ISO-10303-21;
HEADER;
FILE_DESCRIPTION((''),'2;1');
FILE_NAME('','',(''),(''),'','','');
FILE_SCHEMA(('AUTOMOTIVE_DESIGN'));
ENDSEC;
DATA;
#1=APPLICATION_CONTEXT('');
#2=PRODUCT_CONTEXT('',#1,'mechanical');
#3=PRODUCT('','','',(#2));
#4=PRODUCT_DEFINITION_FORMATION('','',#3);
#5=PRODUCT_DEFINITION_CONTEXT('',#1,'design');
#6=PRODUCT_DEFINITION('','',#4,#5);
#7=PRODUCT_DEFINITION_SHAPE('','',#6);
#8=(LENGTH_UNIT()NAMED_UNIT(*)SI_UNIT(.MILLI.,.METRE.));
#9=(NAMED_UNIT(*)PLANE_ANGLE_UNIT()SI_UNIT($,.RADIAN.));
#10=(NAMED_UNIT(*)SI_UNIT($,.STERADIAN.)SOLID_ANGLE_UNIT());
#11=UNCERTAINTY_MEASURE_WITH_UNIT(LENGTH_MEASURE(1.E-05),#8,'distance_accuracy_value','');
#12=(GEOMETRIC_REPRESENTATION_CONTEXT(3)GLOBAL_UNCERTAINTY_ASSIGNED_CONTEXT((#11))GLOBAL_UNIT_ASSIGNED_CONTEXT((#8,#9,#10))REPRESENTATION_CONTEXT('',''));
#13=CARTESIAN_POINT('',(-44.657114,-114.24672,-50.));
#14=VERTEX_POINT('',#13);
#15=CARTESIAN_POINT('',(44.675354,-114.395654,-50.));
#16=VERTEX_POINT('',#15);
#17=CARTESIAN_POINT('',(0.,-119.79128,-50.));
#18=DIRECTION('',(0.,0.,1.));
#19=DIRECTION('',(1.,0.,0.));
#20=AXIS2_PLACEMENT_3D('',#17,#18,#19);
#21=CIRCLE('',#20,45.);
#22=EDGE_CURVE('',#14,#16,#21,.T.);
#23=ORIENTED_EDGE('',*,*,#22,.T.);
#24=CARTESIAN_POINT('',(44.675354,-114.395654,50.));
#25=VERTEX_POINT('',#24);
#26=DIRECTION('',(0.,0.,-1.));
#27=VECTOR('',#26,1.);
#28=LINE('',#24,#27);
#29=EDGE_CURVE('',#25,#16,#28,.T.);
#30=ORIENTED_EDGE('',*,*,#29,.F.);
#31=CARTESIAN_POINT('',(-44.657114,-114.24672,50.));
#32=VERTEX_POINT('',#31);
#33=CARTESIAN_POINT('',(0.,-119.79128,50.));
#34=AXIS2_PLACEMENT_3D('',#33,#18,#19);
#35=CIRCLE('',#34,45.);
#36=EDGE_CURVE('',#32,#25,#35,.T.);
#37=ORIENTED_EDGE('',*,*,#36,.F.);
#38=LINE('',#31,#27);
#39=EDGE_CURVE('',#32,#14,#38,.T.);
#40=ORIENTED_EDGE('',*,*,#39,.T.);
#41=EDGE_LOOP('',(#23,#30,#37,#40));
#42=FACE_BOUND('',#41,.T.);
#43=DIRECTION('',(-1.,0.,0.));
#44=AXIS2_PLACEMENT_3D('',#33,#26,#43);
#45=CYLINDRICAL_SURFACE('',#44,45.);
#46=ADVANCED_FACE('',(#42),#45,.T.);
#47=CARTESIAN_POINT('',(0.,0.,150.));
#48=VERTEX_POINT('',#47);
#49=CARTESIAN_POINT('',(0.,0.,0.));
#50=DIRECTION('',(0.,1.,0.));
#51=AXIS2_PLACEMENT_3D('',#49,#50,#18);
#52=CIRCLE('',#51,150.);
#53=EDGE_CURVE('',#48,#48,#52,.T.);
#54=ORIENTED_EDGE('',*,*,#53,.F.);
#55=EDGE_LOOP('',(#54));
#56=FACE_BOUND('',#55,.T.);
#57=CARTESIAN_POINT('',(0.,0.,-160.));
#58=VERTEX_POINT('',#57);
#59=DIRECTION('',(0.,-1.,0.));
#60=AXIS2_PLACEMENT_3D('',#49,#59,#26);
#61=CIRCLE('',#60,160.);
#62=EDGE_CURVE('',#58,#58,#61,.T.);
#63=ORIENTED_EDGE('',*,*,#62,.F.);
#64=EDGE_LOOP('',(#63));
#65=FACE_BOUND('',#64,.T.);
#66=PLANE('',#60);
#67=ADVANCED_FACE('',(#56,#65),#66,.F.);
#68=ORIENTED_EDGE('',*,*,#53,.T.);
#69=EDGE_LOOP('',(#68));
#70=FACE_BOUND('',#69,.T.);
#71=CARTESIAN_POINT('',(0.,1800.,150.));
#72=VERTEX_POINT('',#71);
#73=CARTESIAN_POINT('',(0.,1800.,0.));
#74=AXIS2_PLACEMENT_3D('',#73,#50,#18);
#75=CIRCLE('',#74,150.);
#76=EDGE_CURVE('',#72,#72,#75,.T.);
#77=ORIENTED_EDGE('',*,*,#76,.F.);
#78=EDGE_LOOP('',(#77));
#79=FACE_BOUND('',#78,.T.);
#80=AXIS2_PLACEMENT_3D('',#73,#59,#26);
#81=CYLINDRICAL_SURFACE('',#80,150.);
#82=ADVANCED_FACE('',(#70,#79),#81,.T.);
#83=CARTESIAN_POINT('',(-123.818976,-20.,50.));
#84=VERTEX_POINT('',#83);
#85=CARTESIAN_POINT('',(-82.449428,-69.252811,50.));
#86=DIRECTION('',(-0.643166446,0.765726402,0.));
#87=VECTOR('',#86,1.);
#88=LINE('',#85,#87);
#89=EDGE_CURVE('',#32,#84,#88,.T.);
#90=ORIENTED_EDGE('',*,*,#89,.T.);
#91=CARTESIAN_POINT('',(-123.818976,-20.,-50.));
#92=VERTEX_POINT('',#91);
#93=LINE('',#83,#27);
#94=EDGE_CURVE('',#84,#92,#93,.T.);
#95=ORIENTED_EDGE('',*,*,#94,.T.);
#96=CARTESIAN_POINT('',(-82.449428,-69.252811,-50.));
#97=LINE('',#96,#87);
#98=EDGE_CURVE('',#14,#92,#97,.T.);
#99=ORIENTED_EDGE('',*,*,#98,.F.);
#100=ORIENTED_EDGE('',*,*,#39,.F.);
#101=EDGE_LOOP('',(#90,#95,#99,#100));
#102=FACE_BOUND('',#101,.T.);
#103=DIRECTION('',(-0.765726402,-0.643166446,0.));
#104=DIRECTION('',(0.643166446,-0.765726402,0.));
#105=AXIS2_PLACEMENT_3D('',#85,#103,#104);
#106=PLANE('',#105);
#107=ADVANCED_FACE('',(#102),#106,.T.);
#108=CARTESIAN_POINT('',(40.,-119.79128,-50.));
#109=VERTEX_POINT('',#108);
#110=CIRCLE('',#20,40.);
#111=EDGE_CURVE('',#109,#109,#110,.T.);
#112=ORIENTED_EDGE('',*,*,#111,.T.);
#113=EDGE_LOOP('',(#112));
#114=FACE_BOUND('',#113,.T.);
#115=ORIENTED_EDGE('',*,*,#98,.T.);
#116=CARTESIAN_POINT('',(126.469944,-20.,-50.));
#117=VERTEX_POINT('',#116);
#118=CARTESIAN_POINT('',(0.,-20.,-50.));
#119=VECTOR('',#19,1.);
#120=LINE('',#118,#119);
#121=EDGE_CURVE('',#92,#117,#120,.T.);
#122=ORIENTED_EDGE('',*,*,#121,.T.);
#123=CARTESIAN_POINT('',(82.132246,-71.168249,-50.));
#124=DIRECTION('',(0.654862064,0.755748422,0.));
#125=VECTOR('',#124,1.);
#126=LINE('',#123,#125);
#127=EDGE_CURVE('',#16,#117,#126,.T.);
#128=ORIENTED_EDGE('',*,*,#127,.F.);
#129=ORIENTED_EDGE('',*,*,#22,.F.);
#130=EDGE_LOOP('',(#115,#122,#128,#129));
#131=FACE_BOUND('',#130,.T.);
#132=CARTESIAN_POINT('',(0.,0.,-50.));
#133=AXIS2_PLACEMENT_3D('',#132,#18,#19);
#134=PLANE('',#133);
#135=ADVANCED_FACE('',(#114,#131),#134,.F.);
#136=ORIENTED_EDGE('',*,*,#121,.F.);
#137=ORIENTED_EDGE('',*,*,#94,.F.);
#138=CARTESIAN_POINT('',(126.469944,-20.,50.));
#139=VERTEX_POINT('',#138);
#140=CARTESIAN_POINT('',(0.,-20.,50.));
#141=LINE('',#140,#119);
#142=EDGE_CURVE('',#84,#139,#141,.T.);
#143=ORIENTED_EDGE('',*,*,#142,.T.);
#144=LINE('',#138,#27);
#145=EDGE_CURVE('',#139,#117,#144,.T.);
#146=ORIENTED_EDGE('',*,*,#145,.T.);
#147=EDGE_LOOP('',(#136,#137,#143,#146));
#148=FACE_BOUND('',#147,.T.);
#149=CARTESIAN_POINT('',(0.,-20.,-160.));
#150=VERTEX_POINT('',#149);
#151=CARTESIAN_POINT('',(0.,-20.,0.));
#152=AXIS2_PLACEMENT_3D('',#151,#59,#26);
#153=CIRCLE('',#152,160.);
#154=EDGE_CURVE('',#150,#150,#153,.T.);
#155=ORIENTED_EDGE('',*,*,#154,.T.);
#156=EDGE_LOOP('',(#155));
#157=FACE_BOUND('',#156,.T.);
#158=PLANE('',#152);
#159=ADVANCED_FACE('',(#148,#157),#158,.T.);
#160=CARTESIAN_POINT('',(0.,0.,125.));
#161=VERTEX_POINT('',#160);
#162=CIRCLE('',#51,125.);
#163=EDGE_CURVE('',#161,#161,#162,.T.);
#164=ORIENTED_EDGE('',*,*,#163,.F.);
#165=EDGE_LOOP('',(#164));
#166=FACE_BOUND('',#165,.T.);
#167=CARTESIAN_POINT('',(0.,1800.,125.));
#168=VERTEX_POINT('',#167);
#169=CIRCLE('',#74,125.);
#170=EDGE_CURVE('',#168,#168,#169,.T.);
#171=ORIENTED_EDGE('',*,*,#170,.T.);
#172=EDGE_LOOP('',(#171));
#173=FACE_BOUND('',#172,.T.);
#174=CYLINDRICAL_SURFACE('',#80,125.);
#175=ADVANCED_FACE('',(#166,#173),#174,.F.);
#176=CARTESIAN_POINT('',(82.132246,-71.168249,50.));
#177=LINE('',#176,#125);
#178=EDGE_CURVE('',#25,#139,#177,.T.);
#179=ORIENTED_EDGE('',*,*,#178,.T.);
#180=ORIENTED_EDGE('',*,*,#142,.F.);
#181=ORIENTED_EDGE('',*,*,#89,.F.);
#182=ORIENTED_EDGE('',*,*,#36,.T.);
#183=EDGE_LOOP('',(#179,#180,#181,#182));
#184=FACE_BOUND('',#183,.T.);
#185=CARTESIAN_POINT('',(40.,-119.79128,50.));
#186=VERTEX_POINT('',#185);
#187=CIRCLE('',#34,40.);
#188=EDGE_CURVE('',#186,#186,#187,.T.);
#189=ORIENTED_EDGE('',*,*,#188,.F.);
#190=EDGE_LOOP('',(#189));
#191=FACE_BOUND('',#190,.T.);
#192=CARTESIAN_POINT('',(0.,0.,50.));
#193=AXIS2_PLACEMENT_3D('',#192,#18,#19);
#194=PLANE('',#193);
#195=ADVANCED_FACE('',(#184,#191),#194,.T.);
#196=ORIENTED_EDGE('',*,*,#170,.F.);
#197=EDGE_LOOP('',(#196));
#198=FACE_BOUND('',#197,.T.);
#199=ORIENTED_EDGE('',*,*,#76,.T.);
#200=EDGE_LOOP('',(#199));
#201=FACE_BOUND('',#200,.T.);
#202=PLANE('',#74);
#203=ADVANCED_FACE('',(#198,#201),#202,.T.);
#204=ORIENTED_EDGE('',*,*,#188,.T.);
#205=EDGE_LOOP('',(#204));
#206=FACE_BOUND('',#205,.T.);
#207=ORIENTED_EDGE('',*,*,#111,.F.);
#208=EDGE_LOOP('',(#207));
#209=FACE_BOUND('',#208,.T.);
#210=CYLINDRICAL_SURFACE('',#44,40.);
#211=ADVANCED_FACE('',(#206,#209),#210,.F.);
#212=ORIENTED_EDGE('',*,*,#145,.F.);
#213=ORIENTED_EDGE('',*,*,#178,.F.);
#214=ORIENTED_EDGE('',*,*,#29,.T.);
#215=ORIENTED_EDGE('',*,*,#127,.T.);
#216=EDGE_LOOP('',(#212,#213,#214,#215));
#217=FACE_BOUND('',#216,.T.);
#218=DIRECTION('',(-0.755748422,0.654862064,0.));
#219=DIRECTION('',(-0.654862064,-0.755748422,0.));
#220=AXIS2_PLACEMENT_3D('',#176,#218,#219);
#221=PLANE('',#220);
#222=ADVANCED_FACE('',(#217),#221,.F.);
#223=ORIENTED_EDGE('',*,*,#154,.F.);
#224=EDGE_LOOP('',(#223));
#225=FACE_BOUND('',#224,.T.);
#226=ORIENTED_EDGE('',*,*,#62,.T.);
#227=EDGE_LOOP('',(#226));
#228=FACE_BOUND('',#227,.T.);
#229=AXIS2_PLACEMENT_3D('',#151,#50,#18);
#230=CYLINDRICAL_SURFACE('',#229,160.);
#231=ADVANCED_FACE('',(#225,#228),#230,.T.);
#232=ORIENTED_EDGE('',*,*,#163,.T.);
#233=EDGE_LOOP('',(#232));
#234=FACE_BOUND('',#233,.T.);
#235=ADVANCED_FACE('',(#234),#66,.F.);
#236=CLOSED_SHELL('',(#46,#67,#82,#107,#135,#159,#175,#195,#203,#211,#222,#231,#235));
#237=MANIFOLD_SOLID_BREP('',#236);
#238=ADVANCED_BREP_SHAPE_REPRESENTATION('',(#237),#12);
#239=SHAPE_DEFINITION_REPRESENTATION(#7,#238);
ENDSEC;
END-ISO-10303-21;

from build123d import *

# Parameters (mm, degrees)
SKETCH1_R           = 150
SKETCH1_R_2         = 125
BOSS_EXTRUDE1_DEPTH = 1800
SKETCH2_R           = 160
BOSS_EXTRUDE2_DEPTH = 20
BOSS_EXTRUDE3_DEPTH = 50


with BuildPart() as part:
    # Sketch1 → Boss-Extrude1 (new body)
    with BuildSketch(Plane(origin=(0, 0, 0), x_dir=(1, 0, 0), z_dir=(0, 1, 0))):
        with Locations(Location((0, 0, 0), (0, 0, 270))):
            Circle(SKETCH1_R)
        with Locations(Location((0, 0, 0), (0, 0, 270))):
            Circle(SKETCH1_R_2, mode=Mode.SUBTRACT)
    extrude(amount=BOSS_EXTRUDE1_DEPTH)

    # Sketch2 → Boss-Extrude2 (add)
    with BuildSketch(Plane.XZ):
        with Locations(Location((0, 0, 0), (0, 0, 270))):
            Circle(SKETCH2_R)
    extrude(amount=BOSS_EXTRUDE2_DEPTH)

    # Sketch4 → Boss-Extrude3 (add, symmetric)
    with BuildSketch(Plane.XY):
        with BuildLine():
            ThreePointArc((40, -119.791280473), (0, -159.791280473), (-40, -119.791280473))
            Line((-40, -119.791280473), (-44.657114197, -114.246719929))
            ThreePointArc((-44.657114197, -114.246719929), (-2.777576385, -164.70547722), (45, -119.791280473))
            ThreePointArc((45, -119.791280473), (44.918765065, -117.088588293), (44.675353555, -114.395654025))
            Line((44.675353555, -114.395654025), (40, -119.791280473))
        make_face()
        with BuildLine():
            Line((-44.657114197, -114.246719929), (-40, -119.791280473))
            ThreePointArc((-40, -119.791280473), (0, -79.791280473), (40, -119.791280473))
            Line((40, -119.791280473), (44.675353555, -114.395654025))
            ThreePointArc((44.675353555, -114.395654025), (0.075023395, -74.791343012), (-44.657114197, -114.246719929))
        make_face()
        with BuildLine():
            Line((-123.818976335, -20), (-44.657114197, -114.246719929))
            ThreePointArc((-44.657114197, -114.246719929), (0.075023395, -74.791343012), (44.675353555, -114.395654025))
            Line((44.675353555, -114.395654025), (126.469944209, -20))
            Line((126.469944209, -20), (-123.818976335, -20))
        make_face()
    extrude(amount=BOSS_EXTRUDE3_DEPTH, both=True)


solid = part.part
